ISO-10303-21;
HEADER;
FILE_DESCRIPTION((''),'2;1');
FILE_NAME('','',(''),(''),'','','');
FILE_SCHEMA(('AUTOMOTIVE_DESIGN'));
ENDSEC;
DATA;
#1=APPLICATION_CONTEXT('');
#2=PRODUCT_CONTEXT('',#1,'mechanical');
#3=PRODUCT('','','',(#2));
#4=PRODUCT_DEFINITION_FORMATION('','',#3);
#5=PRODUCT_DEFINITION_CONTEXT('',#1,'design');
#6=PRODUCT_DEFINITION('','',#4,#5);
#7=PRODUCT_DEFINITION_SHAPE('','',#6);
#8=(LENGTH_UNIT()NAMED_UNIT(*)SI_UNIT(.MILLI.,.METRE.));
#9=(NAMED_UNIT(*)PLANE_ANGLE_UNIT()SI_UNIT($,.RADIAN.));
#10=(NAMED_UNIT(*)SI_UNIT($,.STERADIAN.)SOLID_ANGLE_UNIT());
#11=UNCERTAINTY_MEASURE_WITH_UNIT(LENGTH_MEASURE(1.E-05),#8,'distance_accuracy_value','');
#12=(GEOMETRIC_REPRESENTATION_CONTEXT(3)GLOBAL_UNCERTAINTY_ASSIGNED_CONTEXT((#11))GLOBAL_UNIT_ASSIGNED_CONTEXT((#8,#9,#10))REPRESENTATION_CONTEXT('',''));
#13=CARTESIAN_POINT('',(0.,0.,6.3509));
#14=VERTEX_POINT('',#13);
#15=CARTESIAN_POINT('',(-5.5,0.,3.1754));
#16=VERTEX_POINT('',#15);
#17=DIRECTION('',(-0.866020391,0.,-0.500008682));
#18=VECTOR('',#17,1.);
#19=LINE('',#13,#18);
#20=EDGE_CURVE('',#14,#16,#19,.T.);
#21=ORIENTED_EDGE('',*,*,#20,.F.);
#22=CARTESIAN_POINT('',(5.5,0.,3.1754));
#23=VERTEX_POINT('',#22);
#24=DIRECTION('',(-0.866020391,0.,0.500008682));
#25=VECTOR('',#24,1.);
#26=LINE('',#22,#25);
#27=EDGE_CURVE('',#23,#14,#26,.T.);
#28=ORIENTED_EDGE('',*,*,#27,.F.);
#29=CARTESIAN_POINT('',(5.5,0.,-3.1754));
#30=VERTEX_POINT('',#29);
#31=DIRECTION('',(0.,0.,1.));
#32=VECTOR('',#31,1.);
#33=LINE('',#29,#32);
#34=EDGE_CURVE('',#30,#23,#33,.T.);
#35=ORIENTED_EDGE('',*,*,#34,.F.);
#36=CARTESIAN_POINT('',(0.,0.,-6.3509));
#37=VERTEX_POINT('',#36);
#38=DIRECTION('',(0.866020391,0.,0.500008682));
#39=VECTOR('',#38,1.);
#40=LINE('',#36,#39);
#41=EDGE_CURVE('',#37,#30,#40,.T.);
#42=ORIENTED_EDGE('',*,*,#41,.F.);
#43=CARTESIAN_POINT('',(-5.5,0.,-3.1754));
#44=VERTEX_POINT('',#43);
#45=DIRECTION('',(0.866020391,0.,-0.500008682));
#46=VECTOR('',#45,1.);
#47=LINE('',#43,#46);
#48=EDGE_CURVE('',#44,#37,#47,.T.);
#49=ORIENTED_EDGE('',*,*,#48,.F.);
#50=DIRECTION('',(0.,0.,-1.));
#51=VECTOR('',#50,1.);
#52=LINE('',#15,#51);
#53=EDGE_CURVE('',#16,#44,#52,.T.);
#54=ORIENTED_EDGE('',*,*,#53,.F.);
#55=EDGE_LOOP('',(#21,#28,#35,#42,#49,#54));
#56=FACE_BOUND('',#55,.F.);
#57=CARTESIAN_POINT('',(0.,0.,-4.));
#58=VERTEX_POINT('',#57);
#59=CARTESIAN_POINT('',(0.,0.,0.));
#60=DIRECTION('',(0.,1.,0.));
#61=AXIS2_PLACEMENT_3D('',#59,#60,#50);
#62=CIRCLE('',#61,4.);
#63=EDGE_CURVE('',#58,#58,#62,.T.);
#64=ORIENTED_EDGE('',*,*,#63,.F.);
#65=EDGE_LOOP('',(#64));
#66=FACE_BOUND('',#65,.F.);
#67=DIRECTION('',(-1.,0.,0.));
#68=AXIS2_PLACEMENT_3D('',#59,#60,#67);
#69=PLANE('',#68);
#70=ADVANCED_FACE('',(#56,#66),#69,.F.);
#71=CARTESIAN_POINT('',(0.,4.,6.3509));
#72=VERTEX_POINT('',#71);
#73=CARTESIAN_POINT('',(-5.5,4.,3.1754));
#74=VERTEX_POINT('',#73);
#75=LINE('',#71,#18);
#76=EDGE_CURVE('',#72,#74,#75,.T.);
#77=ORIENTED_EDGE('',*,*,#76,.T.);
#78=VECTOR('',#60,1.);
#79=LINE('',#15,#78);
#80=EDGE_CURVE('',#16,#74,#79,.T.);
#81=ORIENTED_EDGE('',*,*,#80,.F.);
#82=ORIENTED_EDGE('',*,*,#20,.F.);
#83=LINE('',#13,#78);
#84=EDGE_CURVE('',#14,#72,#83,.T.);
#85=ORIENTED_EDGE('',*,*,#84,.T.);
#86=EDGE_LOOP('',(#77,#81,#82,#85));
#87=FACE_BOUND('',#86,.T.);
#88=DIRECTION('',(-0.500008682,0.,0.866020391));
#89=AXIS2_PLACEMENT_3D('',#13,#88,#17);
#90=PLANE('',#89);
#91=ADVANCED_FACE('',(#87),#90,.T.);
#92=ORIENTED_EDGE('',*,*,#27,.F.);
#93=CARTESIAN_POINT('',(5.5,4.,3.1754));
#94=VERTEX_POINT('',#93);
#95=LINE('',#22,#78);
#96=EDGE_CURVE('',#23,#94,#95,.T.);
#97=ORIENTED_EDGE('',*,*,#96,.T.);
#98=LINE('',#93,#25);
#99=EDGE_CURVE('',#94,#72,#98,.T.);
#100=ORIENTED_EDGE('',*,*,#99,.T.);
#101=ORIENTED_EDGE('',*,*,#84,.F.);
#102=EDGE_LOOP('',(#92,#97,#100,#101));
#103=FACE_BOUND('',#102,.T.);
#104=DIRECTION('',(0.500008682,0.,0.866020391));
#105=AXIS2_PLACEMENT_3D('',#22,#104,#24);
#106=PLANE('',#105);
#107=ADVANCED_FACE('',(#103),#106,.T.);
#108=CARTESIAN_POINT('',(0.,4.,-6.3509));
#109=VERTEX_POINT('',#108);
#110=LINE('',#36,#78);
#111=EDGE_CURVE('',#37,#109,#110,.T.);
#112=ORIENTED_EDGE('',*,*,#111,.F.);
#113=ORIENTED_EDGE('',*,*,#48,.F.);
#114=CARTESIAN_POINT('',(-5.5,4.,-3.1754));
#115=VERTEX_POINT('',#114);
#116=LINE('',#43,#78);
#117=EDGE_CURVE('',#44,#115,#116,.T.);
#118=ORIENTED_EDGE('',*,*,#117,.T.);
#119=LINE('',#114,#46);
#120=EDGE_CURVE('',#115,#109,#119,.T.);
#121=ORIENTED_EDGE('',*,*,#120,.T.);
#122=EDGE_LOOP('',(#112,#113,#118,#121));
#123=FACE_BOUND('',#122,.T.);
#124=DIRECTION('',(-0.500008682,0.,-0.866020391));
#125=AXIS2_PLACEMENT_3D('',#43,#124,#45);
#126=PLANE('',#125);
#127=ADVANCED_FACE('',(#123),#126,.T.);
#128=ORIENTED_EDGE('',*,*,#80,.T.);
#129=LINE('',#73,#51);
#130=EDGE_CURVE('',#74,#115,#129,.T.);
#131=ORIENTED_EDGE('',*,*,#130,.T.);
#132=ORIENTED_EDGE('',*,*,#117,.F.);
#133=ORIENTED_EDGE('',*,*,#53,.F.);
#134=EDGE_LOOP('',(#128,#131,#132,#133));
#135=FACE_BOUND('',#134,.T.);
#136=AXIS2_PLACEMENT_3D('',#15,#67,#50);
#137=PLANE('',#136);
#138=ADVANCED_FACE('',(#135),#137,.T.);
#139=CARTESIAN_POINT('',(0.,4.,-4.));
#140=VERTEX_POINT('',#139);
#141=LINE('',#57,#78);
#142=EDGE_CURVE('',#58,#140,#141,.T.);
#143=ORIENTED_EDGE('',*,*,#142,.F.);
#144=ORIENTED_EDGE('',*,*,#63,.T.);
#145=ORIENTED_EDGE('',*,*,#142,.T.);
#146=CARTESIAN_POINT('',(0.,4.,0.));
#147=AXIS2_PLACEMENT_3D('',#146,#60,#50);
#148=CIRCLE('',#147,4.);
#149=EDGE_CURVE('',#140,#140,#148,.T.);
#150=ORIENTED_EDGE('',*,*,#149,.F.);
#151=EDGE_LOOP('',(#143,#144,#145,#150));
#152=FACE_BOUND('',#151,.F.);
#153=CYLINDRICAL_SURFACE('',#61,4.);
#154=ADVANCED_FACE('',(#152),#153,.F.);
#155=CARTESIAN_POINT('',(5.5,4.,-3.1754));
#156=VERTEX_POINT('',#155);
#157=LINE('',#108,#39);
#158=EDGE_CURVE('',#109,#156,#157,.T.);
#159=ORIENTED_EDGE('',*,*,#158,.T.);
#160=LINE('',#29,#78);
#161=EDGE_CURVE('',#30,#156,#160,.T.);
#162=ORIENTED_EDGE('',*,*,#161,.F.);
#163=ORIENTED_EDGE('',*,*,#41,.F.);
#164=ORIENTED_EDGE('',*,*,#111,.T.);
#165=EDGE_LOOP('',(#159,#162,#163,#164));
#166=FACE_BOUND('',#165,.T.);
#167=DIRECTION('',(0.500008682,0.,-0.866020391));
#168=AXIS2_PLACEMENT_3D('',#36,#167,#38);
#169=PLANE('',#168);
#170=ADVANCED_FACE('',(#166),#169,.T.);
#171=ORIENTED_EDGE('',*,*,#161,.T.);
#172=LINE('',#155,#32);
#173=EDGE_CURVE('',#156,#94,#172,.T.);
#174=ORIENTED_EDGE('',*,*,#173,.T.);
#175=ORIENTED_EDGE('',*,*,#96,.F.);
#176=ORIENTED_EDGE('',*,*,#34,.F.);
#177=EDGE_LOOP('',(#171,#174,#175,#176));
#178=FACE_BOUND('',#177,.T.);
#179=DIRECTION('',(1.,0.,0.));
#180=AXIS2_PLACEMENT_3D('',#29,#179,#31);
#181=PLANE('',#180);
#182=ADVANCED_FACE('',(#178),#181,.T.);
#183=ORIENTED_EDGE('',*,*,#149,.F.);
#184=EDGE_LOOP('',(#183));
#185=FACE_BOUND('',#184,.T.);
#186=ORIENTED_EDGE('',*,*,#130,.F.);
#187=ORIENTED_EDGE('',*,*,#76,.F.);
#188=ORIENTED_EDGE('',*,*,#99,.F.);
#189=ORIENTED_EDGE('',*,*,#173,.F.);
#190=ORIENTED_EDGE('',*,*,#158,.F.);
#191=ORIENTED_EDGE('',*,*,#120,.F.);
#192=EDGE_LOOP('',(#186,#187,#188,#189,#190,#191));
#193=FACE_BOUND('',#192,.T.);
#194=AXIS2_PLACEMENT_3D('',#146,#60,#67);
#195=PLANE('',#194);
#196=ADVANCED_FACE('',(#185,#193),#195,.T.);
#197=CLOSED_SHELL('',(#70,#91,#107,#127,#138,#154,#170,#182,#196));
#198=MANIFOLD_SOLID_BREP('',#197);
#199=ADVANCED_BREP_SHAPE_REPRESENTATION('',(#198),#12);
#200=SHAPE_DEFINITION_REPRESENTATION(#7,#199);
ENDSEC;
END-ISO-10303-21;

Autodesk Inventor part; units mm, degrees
ref_plane "YZ Plane" through (0, 0, 0) normal (1, 0, 0) x (0, 1, 0)
ref_plane "XZ Plane" through (0, 0, 0) normal (0, 1, 0) x (-1, 0, 0)
ref_plane "XY Plane" through (0, 0, 0) normal (0, 0, 1) x (1, 0, 0)
sketch "Sketch1" plane through (0, 0, 0) normal (0, 1, 0) x (-1, 0, 0)
  line L0 (-5.5, 3.1754) -> (0, 6.3509)
  line L1 (0, 6.3509) -> (5.5, 3.1754)
  line L2 (5.5, 3.1754) -> (5.5, -3.1754)
  line L3 (5.5, -3.1754) -> (0, -6.3509)
  line L4 (0, -6.3509) -> (-5.5, -3.1754)
  line L5 (-5.5, -3.1754) -> (-5.5, 3.1754)
  line L6 (0, 7.2373) -> (0, -7.2373)
  point P0 (0, 0)
  point P1 (0, 0)
  point P2 (0, 0)
  point P3 (0, 0)
  dimension "d0" = 11
extrude "Extrusion1" add sketch "Sketch1" along normal blind 4
hole "Hole1" at (0, 0, 0) direction (0, 1, 0) diameter 8 end through all
thread "Thread1" size "M8x1.25" class "6H" standard "ANSI Metric M Profile" full length
properties part number "HUDSON-1-79"
